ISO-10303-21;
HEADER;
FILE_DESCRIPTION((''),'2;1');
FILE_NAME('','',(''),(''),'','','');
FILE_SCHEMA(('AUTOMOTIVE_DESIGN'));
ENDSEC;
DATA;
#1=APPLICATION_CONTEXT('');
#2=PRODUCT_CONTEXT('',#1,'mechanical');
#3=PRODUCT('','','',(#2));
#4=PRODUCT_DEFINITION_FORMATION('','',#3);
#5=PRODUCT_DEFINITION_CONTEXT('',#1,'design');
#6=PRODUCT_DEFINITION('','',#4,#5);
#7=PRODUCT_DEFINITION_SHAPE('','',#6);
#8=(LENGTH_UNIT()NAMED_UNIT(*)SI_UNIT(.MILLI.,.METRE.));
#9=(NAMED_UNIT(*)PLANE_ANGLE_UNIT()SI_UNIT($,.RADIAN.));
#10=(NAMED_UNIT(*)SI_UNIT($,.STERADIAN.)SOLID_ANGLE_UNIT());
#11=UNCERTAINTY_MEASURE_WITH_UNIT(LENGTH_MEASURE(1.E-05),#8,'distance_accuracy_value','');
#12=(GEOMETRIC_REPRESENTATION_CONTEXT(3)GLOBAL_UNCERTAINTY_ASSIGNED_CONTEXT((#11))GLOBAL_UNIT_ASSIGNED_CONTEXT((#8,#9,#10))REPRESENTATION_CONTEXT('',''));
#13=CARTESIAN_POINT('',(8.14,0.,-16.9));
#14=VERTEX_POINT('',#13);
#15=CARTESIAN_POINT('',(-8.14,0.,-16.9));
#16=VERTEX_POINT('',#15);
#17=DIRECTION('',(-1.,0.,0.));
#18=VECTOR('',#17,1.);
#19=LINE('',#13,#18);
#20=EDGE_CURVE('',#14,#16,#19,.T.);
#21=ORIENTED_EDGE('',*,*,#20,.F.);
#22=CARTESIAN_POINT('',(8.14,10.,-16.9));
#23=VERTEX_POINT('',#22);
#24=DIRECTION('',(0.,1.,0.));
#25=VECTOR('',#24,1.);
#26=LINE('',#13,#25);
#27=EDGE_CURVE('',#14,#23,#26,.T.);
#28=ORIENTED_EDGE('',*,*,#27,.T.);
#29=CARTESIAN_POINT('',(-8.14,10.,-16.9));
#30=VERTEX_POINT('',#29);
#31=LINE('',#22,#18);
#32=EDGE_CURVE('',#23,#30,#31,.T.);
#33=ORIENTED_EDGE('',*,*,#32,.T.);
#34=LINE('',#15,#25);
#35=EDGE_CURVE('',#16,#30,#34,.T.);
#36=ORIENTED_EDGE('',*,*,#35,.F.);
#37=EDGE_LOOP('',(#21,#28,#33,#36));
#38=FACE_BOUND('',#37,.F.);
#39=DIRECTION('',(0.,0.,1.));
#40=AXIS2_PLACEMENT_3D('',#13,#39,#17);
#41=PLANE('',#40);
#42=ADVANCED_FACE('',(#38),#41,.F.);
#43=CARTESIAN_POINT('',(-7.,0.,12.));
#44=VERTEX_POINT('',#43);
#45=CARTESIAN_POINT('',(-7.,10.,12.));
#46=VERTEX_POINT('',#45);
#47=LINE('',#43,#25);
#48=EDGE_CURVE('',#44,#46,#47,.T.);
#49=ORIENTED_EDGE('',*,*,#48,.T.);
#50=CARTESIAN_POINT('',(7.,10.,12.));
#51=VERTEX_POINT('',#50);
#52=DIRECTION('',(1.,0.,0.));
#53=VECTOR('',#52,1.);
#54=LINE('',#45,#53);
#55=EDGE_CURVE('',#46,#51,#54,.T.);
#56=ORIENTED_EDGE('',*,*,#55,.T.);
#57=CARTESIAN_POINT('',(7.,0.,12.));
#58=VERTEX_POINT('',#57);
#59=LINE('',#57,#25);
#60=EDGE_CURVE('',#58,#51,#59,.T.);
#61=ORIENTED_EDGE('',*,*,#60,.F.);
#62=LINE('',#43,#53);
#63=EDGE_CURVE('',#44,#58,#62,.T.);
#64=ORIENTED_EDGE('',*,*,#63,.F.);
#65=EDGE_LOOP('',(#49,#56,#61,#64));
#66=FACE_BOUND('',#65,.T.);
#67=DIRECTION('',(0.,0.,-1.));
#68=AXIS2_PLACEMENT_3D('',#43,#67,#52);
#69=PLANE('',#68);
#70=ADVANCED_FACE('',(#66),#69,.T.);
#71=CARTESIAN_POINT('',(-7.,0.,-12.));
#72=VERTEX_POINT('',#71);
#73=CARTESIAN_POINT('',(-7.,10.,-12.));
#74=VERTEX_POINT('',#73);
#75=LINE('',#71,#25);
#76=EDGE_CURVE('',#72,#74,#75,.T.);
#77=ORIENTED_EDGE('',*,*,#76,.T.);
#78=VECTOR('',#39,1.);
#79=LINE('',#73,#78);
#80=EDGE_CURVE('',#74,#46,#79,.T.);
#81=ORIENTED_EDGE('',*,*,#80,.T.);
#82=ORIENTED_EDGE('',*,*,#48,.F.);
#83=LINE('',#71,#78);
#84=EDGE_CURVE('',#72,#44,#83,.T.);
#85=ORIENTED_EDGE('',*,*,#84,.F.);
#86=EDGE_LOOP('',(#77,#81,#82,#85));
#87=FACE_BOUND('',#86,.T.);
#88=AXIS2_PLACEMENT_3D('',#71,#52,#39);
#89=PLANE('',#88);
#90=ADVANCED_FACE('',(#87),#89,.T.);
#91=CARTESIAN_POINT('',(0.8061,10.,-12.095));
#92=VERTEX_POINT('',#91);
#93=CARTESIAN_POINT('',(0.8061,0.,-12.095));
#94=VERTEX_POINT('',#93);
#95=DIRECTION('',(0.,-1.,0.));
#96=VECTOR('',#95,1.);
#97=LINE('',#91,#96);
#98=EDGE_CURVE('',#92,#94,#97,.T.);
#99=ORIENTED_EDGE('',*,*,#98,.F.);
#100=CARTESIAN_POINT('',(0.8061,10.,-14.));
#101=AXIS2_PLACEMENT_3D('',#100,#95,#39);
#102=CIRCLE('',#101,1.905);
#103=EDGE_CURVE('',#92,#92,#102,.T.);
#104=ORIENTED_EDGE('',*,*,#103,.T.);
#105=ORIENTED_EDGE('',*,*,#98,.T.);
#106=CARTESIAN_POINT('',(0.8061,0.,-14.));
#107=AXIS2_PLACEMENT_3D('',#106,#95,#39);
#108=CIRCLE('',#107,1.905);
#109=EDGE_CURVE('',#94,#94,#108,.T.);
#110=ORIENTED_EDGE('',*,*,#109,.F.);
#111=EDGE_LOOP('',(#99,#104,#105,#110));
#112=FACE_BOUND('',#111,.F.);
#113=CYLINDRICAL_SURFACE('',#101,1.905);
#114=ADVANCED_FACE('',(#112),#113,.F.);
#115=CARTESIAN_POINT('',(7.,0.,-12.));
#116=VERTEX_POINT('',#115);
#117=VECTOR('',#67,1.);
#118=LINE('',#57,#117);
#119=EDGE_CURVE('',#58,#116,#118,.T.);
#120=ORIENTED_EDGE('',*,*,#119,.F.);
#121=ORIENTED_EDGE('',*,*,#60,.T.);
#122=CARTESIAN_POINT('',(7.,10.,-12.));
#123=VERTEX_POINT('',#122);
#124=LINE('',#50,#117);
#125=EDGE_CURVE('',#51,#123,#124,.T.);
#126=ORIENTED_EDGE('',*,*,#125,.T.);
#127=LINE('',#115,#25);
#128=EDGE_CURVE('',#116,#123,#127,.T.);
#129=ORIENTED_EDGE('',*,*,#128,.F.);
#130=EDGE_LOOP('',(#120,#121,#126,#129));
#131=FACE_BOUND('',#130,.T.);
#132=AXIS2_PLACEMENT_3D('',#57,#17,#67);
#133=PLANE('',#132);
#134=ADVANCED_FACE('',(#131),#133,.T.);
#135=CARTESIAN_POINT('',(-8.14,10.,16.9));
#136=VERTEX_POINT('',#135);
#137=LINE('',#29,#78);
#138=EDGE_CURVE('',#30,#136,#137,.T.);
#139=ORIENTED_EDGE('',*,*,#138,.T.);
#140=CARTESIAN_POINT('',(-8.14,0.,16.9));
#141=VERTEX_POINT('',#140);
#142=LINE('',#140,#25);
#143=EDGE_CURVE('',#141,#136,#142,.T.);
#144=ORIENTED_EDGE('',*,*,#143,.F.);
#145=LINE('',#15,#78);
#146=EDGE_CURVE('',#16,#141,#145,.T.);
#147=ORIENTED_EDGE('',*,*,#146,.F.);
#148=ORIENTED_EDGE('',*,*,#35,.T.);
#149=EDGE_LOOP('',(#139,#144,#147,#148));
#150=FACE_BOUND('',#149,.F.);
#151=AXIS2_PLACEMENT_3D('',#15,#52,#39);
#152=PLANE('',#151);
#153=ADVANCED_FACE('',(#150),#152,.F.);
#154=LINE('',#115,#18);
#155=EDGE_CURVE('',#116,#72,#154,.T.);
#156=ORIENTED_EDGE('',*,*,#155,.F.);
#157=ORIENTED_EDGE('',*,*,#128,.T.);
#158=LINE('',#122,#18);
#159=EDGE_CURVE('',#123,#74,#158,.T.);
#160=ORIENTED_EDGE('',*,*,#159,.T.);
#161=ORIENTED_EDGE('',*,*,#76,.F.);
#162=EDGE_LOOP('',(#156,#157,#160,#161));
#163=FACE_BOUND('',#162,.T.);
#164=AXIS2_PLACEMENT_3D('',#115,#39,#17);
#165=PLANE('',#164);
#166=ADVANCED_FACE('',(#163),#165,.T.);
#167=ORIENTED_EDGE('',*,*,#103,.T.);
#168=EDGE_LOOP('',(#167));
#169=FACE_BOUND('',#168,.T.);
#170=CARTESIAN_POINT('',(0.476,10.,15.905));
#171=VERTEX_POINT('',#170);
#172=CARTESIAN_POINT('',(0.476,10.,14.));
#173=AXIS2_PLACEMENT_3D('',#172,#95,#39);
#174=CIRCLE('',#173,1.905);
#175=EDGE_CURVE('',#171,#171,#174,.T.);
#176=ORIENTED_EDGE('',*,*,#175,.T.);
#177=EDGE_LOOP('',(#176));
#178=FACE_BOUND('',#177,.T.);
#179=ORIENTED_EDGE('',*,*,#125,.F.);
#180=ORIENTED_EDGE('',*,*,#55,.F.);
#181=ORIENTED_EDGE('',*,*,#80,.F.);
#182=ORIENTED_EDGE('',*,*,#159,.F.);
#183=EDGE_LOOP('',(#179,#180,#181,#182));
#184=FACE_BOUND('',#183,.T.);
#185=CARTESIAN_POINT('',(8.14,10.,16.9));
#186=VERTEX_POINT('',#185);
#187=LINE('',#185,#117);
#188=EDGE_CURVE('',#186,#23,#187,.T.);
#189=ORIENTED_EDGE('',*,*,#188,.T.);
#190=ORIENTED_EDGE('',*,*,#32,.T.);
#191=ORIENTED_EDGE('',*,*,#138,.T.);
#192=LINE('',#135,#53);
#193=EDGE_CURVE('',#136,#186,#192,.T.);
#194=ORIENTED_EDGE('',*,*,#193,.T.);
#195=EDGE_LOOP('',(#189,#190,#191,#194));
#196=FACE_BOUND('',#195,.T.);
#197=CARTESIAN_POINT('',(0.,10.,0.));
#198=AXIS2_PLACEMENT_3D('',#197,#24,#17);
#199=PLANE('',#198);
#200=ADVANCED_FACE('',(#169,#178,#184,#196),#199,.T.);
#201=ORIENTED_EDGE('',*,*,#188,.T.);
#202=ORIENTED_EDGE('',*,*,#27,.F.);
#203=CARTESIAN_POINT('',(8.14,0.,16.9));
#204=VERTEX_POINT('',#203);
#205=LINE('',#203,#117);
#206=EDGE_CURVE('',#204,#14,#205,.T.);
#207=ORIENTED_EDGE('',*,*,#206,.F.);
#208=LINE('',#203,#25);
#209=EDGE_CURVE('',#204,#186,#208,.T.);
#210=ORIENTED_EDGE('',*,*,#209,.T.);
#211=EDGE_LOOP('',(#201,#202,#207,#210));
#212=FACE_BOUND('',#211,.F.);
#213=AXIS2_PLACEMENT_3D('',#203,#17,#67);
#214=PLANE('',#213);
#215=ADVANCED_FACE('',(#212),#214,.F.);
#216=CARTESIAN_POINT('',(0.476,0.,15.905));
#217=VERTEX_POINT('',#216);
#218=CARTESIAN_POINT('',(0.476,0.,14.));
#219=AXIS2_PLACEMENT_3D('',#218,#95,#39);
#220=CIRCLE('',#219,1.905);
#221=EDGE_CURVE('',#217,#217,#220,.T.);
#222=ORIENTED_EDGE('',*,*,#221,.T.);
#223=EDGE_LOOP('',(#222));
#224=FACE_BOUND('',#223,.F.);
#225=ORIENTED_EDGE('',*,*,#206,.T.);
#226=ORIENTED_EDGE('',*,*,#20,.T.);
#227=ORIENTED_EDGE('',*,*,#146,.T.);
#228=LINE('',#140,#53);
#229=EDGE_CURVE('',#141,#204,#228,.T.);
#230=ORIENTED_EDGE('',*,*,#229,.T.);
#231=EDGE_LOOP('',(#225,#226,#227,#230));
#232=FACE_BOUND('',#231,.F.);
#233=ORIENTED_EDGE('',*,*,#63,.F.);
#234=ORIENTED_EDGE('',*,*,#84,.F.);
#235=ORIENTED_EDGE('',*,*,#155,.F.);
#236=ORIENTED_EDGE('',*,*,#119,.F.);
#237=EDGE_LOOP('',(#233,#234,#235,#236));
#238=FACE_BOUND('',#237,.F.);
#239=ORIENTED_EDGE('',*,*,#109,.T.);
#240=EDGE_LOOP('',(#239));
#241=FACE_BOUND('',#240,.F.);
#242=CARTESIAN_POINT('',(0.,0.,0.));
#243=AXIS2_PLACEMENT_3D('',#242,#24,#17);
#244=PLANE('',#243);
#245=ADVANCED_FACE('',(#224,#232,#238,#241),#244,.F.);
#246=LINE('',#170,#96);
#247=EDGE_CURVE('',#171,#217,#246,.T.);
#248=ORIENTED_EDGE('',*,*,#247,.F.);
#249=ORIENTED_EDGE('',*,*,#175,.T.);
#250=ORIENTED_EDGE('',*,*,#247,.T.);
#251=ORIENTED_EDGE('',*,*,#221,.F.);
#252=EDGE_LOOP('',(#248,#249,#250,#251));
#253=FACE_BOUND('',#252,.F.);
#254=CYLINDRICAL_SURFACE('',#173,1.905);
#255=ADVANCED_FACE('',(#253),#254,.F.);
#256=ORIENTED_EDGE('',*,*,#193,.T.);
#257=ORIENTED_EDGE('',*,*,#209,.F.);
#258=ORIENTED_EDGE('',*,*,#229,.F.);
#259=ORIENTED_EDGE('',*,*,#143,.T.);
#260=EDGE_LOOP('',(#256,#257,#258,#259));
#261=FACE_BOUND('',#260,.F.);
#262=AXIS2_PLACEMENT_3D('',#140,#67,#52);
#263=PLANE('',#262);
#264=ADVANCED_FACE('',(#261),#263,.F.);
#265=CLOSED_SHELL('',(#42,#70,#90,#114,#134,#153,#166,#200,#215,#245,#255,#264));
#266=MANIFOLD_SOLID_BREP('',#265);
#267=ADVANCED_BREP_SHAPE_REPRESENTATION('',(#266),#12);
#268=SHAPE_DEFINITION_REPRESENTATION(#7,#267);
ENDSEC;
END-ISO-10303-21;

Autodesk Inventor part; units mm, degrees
ref_plane "YZ Plane" through (0, 0, 0) normal (1, 0, 0) x (0, 1, 0)
ref_plane "XZ Plane" through (0, 0, 0) normal (0, 1, 0) x (-1, 0, 0)
ref_plane "XY Plane" through (0, 0, 0) normal (0, 0, 1) x (1, 0, 0)
sketch "Sketch2" plane through (0, 0, 0) normal (0, 1, 0) x (-1, 0, 0)
  line L0 (8.14, 16.9) -> (-8.14, 16.9)
  line L1 (-8.14, 16.9) -> (-8.14, -16.9)
  line L2 (-8.14, -16.9) -> (8.14, -16.9)
  line L3 (8.14, -16.9) -> (8.14, 16.9)
  line L4 (8.14, 16.9) -> (-8.14, -16.9) construction
  line L5 (-8.14, 16.9) -> (8.14, -16.9) construction
  point P0 (0, 0)
  dimension "d0" = 33.8
  dimension "d1" = 16.28
sketch "Sketch3" plane through (0, 0, 0) normal (0, 1, 0) x (-1, 0, 0)
  line L0 (-7, -12) -> (7, -12)
  line L1 (7, -12) -> (7, 12)
  line L2 (7, 12) -> (-7, 12)
  line L3 (-7, 12) -> (-7, -12)
  line L4 (-7, -12) -> (7, 12) construction
  line L5 (7, -12) -> (-7, 12) construction
  point P0 (0, 0)
  dimension "d2" = 24
  dimension "d3" = 14
extrude "Extrusion1" add sketch "Sketch2" along normal blind 10
extrude "Extrusion2" cut sketch "Sketch3" along normal blind 10
sketch "Sketch5" plane through (0, 10, 0) normal (0, 1, 0) x (1, 0, 0)
  line L0 (7, -12) -> (-7, -12) projected
  point P0 (0, 0)
  point P1 (0.476, -14)
  dimension "d22" = 2
hole "Hole1" at (0.476, 10, 14) direction (0, -1, 0) diameter 3.81 depth 10
sketch "Sketch6" plane through (0, 10, 0) normal (0, 1, 0) x (1, 0, 0)
  line L0 (7, 12) -> (-7, 12) projected
  point P0 (0, 0)
  point P1 (0.8061, 14)
  dimension "d30" = 2
hole "Hole2" at (0.8061, 10, -14) direction (0, -1, 0) diameter 3.81 depth 10
properties part number "servo housing electric boogaloo"
